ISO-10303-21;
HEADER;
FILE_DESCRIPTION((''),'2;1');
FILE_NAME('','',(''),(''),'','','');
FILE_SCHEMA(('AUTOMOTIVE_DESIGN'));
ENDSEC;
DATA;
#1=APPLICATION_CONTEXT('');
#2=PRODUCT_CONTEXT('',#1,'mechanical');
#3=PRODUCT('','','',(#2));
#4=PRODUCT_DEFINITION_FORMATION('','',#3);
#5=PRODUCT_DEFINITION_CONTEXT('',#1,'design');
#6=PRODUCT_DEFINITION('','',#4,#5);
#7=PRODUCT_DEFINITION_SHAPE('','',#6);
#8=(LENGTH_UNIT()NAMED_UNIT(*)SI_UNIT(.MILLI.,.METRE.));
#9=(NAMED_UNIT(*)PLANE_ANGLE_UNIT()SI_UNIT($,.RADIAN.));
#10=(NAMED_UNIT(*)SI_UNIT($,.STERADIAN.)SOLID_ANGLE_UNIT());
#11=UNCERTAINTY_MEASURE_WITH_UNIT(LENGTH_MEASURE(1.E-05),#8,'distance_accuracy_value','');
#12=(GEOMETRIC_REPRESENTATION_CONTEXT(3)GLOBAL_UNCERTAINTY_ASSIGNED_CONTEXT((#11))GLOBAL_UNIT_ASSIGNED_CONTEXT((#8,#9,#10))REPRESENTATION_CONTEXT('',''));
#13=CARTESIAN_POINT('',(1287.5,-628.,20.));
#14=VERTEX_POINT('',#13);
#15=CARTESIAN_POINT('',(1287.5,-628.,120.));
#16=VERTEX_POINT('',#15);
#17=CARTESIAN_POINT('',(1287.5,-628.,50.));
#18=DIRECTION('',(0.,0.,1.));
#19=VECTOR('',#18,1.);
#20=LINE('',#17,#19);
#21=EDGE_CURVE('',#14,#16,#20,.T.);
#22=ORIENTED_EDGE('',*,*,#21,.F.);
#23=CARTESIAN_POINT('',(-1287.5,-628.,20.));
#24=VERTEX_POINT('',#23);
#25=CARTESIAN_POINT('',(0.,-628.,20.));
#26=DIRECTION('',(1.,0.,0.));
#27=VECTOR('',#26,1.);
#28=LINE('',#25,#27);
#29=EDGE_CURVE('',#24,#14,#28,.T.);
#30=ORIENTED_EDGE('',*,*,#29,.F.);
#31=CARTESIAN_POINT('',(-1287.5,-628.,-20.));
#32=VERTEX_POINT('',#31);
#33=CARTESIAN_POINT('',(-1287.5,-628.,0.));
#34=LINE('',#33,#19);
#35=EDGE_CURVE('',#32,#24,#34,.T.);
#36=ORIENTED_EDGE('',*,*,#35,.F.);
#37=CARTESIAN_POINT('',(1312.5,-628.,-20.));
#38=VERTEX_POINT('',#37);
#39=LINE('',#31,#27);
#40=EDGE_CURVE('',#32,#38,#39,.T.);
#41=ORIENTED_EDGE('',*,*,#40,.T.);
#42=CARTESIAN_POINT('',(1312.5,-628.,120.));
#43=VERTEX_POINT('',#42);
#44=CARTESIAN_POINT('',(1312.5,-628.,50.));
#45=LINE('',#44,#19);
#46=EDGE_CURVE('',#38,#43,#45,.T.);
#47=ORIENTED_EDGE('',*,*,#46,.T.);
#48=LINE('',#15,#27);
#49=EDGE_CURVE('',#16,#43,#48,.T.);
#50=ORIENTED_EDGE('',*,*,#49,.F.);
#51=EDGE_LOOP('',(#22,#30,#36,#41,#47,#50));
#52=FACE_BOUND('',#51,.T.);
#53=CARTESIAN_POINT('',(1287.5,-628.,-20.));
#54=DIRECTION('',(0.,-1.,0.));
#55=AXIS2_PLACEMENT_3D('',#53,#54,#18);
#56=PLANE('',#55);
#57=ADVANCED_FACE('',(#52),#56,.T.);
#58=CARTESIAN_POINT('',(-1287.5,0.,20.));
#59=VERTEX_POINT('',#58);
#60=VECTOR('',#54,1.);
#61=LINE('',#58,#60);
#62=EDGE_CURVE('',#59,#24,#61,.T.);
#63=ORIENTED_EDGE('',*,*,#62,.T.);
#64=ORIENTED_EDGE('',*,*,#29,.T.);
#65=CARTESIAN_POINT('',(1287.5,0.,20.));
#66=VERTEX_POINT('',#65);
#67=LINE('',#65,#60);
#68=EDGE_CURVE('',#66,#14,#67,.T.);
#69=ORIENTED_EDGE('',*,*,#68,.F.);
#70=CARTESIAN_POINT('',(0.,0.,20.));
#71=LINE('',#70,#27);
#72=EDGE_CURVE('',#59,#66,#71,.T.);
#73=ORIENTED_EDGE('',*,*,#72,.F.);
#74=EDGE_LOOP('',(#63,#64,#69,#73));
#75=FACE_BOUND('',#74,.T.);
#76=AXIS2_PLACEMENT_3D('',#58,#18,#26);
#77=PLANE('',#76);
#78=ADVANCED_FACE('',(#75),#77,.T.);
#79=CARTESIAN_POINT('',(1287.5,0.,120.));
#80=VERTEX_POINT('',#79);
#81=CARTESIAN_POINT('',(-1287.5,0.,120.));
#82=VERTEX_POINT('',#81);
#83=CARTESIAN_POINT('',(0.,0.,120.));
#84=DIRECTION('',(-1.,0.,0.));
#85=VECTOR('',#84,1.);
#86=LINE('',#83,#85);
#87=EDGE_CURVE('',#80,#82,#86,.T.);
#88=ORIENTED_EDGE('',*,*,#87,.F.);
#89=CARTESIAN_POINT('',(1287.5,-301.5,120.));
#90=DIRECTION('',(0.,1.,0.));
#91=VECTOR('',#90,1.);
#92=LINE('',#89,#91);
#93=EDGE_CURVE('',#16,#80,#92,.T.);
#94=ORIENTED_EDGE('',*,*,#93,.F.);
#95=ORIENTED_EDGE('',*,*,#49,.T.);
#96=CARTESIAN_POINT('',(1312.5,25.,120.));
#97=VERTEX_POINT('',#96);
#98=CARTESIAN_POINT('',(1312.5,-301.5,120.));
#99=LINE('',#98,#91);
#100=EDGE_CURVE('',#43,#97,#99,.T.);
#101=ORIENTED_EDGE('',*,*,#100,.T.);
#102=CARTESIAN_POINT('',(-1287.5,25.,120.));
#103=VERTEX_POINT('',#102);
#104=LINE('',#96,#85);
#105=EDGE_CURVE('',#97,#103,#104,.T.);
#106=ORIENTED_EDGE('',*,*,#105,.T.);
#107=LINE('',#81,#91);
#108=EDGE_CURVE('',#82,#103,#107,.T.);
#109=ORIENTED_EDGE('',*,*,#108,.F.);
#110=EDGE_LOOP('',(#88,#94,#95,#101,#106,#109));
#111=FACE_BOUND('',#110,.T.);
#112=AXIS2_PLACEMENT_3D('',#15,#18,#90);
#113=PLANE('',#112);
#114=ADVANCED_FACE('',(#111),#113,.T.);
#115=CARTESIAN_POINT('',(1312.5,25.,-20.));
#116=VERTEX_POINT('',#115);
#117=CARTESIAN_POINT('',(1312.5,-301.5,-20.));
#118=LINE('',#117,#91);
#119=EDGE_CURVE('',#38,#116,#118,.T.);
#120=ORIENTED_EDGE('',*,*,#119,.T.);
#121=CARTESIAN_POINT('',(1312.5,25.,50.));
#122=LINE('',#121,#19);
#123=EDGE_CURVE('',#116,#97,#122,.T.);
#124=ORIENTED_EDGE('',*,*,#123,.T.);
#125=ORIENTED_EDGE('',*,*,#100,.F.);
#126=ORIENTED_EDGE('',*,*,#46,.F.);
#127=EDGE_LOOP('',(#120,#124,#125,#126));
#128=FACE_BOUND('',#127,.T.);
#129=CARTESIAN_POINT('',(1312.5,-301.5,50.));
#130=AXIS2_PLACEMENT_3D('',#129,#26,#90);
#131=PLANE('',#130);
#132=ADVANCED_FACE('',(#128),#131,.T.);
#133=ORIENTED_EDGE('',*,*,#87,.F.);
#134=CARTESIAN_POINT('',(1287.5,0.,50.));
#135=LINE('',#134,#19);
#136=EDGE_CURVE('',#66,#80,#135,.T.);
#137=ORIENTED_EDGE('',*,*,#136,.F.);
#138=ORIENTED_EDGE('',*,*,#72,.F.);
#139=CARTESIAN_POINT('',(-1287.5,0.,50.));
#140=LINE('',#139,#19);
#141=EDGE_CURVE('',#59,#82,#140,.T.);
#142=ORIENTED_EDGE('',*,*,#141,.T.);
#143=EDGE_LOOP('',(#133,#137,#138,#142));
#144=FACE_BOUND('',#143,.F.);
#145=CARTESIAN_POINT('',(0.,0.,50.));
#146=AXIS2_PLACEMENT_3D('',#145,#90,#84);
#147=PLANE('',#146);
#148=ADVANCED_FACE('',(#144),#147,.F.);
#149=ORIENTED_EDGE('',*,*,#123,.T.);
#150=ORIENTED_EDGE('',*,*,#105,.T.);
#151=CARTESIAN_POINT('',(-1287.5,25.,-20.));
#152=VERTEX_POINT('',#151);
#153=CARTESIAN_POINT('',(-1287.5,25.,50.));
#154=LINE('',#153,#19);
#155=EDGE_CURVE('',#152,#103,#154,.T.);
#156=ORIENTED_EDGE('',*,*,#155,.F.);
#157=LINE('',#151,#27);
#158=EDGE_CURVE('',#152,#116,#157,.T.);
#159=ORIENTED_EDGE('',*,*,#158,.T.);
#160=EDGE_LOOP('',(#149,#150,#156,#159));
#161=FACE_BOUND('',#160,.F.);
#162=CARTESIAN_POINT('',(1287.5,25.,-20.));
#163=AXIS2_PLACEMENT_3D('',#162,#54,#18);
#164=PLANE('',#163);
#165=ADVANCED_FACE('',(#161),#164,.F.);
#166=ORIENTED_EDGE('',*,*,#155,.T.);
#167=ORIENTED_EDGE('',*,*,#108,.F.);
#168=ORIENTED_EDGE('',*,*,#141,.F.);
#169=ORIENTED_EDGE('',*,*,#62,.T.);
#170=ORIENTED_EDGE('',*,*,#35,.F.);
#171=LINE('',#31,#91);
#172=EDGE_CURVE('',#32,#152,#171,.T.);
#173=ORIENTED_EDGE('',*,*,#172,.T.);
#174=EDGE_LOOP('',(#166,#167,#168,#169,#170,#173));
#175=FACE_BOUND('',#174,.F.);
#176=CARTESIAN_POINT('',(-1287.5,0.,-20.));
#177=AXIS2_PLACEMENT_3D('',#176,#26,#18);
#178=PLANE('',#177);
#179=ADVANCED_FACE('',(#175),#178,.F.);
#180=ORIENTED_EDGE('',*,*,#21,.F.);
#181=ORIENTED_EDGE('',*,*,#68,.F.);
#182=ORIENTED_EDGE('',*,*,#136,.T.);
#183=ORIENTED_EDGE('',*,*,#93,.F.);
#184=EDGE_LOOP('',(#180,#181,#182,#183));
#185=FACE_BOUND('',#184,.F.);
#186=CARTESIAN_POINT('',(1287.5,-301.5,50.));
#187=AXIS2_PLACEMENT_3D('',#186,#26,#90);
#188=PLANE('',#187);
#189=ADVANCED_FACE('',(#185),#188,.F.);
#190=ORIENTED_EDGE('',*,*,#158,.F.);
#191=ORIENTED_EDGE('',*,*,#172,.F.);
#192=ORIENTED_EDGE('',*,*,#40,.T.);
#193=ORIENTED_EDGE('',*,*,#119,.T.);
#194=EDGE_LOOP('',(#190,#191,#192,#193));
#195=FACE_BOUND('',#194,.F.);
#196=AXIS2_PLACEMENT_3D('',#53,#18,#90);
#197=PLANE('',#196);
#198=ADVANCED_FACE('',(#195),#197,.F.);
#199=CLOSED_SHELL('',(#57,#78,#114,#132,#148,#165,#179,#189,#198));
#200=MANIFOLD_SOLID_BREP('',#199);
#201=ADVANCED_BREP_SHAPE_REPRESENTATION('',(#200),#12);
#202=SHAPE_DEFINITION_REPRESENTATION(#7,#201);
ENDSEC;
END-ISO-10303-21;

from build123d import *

# Parameters (mm, degrees)
F0_W     = 2575
F0_H     = 40
F1_DEPTH = 628
F2_W     = 2575
F2_H     = 140
F3_DEPTH = 25
F4_W     = 653
F4_H     = 140
F5_DEPTH = 25


with BuildPart() as f1:
    # F0 (on Front) → F1 (new body)
    with BuildSketch(Plane.XZ):
        Rectangle(F0_W, F0_H)
    extrude(amount=F1_DEPTH)

    # F2 (on face) → F3 (join)
    with BuildSketch(Plane(origin=(0, 0, 0), x_dir=(-1, 0, 0), z_dir=(0, 1, 0))):
        with Locations((0, 50)):
            Rectangle(F2_W, F2_H)
    extrude(amount=F3_DEPTH)

    # F4 (on face) → F5 (join)
    with BuildSketch(Plane.YZ.offset(1287.5)):
        with Locations((-301.5, 50)):
            Rectangle(F4_W, F4_H)
    extrude(amount=F5_DEPTH)


solid = f1.part
